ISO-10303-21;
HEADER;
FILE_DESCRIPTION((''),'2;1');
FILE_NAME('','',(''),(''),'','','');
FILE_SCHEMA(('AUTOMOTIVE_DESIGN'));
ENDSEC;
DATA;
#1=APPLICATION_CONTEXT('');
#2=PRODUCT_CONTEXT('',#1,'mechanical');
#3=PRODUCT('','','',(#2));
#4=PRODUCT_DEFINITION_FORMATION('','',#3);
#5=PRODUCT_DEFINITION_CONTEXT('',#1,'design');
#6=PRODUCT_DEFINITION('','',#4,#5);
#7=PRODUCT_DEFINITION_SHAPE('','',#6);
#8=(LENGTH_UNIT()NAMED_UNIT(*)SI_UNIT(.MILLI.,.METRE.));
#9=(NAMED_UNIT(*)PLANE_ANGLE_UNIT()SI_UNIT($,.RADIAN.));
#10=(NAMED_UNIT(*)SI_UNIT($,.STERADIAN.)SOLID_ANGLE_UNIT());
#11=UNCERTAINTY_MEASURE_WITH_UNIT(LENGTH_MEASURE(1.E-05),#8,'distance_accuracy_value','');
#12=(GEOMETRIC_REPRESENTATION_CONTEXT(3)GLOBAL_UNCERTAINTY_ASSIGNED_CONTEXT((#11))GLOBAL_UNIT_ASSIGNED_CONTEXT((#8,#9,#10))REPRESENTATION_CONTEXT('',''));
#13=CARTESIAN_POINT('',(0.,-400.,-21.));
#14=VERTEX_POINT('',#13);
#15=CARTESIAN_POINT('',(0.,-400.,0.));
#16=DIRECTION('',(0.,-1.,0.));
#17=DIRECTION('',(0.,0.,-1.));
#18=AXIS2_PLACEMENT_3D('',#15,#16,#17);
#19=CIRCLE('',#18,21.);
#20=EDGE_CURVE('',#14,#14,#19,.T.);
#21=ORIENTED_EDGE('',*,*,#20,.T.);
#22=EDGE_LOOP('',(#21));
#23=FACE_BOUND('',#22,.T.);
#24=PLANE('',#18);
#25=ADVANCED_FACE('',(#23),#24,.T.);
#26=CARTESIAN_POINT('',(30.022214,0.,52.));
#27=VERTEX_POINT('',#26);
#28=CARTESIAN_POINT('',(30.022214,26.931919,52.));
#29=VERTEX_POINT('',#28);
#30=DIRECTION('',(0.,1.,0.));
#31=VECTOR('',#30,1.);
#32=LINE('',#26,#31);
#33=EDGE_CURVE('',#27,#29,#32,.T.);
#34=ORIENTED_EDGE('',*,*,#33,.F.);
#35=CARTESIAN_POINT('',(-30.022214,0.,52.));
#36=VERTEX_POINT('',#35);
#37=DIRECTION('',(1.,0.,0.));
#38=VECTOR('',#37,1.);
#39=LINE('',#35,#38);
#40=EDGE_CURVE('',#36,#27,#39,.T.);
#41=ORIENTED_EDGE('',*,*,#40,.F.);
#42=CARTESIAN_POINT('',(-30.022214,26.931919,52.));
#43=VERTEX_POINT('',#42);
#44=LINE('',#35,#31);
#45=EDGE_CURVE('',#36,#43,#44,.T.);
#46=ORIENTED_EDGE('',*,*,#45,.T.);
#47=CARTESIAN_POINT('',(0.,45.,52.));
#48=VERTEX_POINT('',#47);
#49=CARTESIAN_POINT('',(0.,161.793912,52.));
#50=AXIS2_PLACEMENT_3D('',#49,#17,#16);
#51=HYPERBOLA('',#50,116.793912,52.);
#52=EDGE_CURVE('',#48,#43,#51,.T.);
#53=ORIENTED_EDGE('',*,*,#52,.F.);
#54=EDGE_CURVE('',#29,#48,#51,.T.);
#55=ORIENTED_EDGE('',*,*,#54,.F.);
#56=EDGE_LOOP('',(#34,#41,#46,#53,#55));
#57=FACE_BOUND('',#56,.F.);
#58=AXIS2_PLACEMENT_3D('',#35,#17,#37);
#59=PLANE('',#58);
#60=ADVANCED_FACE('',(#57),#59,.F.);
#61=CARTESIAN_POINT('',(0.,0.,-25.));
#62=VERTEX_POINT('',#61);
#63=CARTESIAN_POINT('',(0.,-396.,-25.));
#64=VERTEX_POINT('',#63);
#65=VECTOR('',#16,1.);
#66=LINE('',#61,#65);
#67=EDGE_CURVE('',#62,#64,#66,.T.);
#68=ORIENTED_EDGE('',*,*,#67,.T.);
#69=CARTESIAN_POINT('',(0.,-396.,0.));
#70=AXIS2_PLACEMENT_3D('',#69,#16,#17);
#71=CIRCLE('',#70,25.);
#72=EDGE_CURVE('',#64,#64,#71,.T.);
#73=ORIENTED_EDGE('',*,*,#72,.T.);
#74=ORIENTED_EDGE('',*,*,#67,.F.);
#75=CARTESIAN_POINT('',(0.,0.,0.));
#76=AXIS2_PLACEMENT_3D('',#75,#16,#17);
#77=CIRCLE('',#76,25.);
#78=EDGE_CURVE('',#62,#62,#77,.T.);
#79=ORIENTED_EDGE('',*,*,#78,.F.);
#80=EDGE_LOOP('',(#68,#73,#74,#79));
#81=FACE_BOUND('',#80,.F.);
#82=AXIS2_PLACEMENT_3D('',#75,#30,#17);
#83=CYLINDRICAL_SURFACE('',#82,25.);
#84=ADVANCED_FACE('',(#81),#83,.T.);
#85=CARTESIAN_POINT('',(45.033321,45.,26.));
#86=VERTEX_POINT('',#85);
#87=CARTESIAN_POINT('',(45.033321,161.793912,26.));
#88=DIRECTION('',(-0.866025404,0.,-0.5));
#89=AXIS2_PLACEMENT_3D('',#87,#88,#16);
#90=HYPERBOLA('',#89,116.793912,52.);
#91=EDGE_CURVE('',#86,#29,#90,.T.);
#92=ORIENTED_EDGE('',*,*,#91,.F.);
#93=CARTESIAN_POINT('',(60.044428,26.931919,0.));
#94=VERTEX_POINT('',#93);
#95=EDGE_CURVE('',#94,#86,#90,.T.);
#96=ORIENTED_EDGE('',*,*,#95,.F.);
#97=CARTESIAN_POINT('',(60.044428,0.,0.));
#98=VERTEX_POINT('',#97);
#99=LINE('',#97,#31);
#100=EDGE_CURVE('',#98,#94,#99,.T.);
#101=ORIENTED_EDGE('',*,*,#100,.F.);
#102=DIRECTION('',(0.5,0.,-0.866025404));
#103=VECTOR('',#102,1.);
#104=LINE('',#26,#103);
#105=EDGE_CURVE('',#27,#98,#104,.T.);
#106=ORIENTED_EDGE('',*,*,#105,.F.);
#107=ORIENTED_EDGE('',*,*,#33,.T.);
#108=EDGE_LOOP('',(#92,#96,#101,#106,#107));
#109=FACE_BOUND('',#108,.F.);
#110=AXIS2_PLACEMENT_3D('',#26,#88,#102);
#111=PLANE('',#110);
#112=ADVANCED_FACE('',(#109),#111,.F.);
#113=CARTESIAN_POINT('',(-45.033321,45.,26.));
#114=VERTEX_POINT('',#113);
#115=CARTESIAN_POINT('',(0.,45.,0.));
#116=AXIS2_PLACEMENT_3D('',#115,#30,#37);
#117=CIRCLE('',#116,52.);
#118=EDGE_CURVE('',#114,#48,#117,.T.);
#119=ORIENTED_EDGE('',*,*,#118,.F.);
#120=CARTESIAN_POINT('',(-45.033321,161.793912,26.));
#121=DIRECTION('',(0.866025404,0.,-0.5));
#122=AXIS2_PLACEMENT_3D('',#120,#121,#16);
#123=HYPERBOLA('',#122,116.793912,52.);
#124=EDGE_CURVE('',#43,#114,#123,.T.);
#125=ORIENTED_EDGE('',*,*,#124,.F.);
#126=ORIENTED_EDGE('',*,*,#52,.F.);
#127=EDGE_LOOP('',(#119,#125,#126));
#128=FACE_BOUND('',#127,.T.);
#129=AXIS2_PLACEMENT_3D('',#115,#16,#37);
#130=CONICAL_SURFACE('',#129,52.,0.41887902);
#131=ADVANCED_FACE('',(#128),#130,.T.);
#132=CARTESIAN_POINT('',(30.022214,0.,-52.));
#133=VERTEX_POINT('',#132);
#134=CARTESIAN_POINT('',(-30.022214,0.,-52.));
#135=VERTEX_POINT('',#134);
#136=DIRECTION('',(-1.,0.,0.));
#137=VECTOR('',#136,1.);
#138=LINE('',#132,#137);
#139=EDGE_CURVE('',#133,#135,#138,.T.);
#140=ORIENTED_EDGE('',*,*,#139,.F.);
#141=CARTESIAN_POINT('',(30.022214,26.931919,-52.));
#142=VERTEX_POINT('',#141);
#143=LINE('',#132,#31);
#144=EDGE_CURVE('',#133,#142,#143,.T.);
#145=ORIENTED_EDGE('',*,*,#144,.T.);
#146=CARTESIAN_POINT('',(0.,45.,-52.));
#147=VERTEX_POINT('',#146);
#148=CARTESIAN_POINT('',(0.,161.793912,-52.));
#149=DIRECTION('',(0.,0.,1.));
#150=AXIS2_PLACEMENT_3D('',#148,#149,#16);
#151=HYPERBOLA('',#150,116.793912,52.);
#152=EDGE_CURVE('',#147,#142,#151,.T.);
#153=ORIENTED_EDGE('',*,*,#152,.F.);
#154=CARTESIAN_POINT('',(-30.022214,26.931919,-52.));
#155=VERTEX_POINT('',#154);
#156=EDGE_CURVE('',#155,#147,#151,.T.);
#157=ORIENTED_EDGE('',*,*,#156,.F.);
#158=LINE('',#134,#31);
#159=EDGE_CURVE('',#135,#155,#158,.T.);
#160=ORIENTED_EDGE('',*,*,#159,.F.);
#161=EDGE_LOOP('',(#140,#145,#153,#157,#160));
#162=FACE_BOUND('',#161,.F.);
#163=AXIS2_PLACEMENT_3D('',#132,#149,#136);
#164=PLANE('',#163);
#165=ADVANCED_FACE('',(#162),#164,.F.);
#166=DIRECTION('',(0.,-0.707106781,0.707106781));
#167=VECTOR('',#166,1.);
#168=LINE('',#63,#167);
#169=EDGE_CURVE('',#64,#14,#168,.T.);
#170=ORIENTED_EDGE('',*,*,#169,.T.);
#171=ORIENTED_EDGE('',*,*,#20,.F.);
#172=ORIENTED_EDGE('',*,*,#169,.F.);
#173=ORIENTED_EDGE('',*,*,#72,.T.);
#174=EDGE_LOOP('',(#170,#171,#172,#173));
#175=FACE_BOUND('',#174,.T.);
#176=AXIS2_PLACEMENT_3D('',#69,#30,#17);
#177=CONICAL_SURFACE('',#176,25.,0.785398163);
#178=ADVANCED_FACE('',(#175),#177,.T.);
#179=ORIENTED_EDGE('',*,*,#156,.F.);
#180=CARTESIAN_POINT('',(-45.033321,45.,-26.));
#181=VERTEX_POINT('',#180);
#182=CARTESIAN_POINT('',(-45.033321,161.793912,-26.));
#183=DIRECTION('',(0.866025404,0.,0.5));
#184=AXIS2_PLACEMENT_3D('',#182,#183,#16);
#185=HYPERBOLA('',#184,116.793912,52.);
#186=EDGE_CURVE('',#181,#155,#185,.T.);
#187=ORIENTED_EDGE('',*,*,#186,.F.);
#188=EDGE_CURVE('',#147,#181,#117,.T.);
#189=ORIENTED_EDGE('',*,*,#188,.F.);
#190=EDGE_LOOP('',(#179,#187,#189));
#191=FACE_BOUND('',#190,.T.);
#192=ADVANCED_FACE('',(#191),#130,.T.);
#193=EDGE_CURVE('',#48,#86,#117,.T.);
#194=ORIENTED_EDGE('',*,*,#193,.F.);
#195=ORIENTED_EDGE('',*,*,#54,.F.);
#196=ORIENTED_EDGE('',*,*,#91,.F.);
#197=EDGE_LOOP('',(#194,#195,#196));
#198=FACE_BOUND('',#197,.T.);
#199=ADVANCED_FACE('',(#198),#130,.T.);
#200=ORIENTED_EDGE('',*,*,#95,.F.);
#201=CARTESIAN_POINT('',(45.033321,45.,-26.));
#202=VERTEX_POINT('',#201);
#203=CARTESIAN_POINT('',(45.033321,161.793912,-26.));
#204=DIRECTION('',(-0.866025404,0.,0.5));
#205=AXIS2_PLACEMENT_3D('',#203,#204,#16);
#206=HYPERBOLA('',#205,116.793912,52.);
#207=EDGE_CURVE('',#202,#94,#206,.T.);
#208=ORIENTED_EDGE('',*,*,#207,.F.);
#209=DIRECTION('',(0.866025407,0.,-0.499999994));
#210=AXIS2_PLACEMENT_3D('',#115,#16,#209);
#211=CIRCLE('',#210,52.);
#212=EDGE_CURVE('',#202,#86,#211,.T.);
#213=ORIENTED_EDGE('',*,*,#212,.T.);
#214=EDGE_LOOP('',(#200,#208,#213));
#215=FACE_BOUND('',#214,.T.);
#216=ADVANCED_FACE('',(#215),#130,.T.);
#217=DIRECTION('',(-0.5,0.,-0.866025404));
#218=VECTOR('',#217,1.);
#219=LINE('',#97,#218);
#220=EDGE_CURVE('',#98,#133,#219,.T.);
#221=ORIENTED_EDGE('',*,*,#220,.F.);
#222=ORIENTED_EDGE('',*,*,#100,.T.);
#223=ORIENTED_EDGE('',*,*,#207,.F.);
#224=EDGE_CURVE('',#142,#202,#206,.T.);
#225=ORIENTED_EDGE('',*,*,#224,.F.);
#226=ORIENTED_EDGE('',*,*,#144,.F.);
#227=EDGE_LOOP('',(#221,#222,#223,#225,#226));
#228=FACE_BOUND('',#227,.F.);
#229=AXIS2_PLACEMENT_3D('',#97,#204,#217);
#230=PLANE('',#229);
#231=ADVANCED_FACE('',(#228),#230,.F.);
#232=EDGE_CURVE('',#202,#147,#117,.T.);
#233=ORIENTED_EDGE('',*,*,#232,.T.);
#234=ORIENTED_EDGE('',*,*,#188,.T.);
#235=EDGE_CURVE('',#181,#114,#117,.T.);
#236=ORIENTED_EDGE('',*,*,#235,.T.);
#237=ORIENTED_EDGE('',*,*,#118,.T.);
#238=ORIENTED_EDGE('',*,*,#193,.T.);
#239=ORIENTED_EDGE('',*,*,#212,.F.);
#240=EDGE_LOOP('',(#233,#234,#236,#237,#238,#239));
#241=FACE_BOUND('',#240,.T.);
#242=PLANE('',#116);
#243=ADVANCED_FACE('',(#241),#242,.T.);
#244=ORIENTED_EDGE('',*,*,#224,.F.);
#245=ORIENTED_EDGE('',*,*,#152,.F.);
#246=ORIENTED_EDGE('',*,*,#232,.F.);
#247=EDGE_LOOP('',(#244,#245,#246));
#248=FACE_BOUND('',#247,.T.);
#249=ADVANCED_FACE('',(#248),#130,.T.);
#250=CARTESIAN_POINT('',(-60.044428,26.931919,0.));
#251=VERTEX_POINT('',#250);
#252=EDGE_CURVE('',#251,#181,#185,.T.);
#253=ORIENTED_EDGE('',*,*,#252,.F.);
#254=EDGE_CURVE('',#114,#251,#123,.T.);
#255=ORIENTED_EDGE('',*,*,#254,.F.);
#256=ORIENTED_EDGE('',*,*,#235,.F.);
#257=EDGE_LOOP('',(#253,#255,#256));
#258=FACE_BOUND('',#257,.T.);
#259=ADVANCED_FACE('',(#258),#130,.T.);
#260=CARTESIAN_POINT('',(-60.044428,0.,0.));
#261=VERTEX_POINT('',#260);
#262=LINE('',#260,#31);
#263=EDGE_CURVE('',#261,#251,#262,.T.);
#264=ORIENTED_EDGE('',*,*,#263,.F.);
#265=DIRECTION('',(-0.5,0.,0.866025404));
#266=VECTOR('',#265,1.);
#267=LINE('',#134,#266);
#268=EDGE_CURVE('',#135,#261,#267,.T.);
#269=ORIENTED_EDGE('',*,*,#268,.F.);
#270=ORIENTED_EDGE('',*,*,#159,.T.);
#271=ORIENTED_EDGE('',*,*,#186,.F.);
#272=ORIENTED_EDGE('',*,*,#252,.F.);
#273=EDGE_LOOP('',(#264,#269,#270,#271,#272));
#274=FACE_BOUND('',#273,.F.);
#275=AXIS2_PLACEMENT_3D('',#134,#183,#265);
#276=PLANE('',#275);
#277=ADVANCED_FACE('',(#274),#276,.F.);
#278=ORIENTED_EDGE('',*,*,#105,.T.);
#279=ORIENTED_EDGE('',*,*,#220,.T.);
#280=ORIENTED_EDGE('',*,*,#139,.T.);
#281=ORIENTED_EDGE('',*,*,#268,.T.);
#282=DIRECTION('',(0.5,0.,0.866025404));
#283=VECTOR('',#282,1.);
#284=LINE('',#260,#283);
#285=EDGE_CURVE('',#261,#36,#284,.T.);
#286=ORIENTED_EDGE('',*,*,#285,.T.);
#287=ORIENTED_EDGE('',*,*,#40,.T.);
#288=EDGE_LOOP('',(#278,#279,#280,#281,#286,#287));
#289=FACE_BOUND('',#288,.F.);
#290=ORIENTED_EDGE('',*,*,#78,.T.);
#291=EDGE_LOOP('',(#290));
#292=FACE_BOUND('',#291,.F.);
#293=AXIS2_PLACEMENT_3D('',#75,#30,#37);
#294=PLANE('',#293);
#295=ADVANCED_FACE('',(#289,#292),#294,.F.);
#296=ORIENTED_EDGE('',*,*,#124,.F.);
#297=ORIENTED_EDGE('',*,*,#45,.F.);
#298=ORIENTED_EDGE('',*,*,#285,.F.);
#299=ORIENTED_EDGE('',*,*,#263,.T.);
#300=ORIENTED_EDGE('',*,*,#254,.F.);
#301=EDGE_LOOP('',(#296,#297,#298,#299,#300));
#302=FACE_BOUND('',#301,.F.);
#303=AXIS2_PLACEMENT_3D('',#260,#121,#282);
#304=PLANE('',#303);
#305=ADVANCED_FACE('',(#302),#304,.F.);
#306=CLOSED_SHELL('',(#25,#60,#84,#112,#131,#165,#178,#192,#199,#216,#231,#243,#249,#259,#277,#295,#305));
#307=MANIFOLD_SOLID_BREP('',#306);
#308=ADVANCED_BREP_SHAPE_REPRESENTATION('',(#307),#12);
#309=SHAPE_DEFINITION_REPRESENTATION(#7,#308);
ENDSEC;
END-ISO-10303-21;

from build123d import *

# Parameters (mm, degrees)
BOSS_EXTRUDE1_DEPTH = 45
SKETCH2_OUTSIDE_W   = 237.294
SKETCH2_OUTSIDE_H   = 221.206
SKETCH2_OUTSIDE_R   = 52
CUT_EXTRUDE2_DEPTH  = 92.292569979
CUT_EXTRUDE2_DRAFT  = -24
SKETCH3_R           = 25
BOSS_EXTRUDE2_DEPTH = 400
CHAMFER1_SIZE       = 4


with BuildPart() as part:
    # Sketch1 → Boss-Extrude1 (new body)
    with BuildSketch(Plane(origin=(0, 0, 0), x_dir=(1, 0, 0), z_dir=(0, 1, 0))):
        Polygon((30.022213998, -52), (60.044427996, 0), (30.022213998, 52), (-30.022213998, 52), (-60.044427996, 0), (-30.022213998, -52), align=None)
    extrude(amount=BOSS_EXTRUDE1_DEPTH)


with BuildPart() as cut_extrude2_tool:
    # Sketch2 outside → Cut-Extrude2 (with draft: the straight prism first)
    with BuildSketch(Plane(origin=(0, 45, 0), x_dir=(1, 0, 0), z_dir=(0, 1, 0))):
        Rectangle(SKETCH2_OUTSIDE_W, SKETCH2_OUTSIDE_H)
        Circle(SKETCH2_OUTSIDE_R, mode=Mode.SUBTRACT)
    extrude(amount=-CUT_EXTRUDE2_DEPTH)
    # Cut-Extrude2: the draft: its side faces are tilted about the plane it starts from
    cut_extrude2_sides = [cut_extrude2_tool.faces().sort_by_distance(p)[0] for p in [
        (0, -1.146284989, 110.603),
        (118.647, -1.146284989, 0),
        (0, -1.146284989, -110.603),
        (-118.647, -1.146284989, 0),
        (-52, -1.146284989, 0),
    ]]
    draft(cut_extrude2_sides, Plane(origin=(0, 45, 0), x_dir=(1, 0, 0), z_dir=(0, 1, 0)), CUT_EXTRUDE2_DRAFT)


with BuildPart() as part_1:
    add(part.part)

    # Cut-Extrude2: cut by cut_extrude2_tool
    add(cut_extrude2_tool.part, mode=Mode.SUBTRACT)

    # Sketch3 → Boss-Extrude2 (add)
    with BuildSketch(Plane.XZ):
        with Locations(Location((0, 0, 0), (0, 0, 270))):
            Circle(SKETCH3_R)
    extrude(amount=BOSS_EXTRUDE2_DEPTH)

    # Chamfer1
    chamfer1_edges = [part_1.edges().sort_by_distance(p)[0] for p in [
        (0, -400, 25),
    ]]
    chamfer(chamfer1_edges, length=CHAMFER1_SIZE)


solid = part_1.part
